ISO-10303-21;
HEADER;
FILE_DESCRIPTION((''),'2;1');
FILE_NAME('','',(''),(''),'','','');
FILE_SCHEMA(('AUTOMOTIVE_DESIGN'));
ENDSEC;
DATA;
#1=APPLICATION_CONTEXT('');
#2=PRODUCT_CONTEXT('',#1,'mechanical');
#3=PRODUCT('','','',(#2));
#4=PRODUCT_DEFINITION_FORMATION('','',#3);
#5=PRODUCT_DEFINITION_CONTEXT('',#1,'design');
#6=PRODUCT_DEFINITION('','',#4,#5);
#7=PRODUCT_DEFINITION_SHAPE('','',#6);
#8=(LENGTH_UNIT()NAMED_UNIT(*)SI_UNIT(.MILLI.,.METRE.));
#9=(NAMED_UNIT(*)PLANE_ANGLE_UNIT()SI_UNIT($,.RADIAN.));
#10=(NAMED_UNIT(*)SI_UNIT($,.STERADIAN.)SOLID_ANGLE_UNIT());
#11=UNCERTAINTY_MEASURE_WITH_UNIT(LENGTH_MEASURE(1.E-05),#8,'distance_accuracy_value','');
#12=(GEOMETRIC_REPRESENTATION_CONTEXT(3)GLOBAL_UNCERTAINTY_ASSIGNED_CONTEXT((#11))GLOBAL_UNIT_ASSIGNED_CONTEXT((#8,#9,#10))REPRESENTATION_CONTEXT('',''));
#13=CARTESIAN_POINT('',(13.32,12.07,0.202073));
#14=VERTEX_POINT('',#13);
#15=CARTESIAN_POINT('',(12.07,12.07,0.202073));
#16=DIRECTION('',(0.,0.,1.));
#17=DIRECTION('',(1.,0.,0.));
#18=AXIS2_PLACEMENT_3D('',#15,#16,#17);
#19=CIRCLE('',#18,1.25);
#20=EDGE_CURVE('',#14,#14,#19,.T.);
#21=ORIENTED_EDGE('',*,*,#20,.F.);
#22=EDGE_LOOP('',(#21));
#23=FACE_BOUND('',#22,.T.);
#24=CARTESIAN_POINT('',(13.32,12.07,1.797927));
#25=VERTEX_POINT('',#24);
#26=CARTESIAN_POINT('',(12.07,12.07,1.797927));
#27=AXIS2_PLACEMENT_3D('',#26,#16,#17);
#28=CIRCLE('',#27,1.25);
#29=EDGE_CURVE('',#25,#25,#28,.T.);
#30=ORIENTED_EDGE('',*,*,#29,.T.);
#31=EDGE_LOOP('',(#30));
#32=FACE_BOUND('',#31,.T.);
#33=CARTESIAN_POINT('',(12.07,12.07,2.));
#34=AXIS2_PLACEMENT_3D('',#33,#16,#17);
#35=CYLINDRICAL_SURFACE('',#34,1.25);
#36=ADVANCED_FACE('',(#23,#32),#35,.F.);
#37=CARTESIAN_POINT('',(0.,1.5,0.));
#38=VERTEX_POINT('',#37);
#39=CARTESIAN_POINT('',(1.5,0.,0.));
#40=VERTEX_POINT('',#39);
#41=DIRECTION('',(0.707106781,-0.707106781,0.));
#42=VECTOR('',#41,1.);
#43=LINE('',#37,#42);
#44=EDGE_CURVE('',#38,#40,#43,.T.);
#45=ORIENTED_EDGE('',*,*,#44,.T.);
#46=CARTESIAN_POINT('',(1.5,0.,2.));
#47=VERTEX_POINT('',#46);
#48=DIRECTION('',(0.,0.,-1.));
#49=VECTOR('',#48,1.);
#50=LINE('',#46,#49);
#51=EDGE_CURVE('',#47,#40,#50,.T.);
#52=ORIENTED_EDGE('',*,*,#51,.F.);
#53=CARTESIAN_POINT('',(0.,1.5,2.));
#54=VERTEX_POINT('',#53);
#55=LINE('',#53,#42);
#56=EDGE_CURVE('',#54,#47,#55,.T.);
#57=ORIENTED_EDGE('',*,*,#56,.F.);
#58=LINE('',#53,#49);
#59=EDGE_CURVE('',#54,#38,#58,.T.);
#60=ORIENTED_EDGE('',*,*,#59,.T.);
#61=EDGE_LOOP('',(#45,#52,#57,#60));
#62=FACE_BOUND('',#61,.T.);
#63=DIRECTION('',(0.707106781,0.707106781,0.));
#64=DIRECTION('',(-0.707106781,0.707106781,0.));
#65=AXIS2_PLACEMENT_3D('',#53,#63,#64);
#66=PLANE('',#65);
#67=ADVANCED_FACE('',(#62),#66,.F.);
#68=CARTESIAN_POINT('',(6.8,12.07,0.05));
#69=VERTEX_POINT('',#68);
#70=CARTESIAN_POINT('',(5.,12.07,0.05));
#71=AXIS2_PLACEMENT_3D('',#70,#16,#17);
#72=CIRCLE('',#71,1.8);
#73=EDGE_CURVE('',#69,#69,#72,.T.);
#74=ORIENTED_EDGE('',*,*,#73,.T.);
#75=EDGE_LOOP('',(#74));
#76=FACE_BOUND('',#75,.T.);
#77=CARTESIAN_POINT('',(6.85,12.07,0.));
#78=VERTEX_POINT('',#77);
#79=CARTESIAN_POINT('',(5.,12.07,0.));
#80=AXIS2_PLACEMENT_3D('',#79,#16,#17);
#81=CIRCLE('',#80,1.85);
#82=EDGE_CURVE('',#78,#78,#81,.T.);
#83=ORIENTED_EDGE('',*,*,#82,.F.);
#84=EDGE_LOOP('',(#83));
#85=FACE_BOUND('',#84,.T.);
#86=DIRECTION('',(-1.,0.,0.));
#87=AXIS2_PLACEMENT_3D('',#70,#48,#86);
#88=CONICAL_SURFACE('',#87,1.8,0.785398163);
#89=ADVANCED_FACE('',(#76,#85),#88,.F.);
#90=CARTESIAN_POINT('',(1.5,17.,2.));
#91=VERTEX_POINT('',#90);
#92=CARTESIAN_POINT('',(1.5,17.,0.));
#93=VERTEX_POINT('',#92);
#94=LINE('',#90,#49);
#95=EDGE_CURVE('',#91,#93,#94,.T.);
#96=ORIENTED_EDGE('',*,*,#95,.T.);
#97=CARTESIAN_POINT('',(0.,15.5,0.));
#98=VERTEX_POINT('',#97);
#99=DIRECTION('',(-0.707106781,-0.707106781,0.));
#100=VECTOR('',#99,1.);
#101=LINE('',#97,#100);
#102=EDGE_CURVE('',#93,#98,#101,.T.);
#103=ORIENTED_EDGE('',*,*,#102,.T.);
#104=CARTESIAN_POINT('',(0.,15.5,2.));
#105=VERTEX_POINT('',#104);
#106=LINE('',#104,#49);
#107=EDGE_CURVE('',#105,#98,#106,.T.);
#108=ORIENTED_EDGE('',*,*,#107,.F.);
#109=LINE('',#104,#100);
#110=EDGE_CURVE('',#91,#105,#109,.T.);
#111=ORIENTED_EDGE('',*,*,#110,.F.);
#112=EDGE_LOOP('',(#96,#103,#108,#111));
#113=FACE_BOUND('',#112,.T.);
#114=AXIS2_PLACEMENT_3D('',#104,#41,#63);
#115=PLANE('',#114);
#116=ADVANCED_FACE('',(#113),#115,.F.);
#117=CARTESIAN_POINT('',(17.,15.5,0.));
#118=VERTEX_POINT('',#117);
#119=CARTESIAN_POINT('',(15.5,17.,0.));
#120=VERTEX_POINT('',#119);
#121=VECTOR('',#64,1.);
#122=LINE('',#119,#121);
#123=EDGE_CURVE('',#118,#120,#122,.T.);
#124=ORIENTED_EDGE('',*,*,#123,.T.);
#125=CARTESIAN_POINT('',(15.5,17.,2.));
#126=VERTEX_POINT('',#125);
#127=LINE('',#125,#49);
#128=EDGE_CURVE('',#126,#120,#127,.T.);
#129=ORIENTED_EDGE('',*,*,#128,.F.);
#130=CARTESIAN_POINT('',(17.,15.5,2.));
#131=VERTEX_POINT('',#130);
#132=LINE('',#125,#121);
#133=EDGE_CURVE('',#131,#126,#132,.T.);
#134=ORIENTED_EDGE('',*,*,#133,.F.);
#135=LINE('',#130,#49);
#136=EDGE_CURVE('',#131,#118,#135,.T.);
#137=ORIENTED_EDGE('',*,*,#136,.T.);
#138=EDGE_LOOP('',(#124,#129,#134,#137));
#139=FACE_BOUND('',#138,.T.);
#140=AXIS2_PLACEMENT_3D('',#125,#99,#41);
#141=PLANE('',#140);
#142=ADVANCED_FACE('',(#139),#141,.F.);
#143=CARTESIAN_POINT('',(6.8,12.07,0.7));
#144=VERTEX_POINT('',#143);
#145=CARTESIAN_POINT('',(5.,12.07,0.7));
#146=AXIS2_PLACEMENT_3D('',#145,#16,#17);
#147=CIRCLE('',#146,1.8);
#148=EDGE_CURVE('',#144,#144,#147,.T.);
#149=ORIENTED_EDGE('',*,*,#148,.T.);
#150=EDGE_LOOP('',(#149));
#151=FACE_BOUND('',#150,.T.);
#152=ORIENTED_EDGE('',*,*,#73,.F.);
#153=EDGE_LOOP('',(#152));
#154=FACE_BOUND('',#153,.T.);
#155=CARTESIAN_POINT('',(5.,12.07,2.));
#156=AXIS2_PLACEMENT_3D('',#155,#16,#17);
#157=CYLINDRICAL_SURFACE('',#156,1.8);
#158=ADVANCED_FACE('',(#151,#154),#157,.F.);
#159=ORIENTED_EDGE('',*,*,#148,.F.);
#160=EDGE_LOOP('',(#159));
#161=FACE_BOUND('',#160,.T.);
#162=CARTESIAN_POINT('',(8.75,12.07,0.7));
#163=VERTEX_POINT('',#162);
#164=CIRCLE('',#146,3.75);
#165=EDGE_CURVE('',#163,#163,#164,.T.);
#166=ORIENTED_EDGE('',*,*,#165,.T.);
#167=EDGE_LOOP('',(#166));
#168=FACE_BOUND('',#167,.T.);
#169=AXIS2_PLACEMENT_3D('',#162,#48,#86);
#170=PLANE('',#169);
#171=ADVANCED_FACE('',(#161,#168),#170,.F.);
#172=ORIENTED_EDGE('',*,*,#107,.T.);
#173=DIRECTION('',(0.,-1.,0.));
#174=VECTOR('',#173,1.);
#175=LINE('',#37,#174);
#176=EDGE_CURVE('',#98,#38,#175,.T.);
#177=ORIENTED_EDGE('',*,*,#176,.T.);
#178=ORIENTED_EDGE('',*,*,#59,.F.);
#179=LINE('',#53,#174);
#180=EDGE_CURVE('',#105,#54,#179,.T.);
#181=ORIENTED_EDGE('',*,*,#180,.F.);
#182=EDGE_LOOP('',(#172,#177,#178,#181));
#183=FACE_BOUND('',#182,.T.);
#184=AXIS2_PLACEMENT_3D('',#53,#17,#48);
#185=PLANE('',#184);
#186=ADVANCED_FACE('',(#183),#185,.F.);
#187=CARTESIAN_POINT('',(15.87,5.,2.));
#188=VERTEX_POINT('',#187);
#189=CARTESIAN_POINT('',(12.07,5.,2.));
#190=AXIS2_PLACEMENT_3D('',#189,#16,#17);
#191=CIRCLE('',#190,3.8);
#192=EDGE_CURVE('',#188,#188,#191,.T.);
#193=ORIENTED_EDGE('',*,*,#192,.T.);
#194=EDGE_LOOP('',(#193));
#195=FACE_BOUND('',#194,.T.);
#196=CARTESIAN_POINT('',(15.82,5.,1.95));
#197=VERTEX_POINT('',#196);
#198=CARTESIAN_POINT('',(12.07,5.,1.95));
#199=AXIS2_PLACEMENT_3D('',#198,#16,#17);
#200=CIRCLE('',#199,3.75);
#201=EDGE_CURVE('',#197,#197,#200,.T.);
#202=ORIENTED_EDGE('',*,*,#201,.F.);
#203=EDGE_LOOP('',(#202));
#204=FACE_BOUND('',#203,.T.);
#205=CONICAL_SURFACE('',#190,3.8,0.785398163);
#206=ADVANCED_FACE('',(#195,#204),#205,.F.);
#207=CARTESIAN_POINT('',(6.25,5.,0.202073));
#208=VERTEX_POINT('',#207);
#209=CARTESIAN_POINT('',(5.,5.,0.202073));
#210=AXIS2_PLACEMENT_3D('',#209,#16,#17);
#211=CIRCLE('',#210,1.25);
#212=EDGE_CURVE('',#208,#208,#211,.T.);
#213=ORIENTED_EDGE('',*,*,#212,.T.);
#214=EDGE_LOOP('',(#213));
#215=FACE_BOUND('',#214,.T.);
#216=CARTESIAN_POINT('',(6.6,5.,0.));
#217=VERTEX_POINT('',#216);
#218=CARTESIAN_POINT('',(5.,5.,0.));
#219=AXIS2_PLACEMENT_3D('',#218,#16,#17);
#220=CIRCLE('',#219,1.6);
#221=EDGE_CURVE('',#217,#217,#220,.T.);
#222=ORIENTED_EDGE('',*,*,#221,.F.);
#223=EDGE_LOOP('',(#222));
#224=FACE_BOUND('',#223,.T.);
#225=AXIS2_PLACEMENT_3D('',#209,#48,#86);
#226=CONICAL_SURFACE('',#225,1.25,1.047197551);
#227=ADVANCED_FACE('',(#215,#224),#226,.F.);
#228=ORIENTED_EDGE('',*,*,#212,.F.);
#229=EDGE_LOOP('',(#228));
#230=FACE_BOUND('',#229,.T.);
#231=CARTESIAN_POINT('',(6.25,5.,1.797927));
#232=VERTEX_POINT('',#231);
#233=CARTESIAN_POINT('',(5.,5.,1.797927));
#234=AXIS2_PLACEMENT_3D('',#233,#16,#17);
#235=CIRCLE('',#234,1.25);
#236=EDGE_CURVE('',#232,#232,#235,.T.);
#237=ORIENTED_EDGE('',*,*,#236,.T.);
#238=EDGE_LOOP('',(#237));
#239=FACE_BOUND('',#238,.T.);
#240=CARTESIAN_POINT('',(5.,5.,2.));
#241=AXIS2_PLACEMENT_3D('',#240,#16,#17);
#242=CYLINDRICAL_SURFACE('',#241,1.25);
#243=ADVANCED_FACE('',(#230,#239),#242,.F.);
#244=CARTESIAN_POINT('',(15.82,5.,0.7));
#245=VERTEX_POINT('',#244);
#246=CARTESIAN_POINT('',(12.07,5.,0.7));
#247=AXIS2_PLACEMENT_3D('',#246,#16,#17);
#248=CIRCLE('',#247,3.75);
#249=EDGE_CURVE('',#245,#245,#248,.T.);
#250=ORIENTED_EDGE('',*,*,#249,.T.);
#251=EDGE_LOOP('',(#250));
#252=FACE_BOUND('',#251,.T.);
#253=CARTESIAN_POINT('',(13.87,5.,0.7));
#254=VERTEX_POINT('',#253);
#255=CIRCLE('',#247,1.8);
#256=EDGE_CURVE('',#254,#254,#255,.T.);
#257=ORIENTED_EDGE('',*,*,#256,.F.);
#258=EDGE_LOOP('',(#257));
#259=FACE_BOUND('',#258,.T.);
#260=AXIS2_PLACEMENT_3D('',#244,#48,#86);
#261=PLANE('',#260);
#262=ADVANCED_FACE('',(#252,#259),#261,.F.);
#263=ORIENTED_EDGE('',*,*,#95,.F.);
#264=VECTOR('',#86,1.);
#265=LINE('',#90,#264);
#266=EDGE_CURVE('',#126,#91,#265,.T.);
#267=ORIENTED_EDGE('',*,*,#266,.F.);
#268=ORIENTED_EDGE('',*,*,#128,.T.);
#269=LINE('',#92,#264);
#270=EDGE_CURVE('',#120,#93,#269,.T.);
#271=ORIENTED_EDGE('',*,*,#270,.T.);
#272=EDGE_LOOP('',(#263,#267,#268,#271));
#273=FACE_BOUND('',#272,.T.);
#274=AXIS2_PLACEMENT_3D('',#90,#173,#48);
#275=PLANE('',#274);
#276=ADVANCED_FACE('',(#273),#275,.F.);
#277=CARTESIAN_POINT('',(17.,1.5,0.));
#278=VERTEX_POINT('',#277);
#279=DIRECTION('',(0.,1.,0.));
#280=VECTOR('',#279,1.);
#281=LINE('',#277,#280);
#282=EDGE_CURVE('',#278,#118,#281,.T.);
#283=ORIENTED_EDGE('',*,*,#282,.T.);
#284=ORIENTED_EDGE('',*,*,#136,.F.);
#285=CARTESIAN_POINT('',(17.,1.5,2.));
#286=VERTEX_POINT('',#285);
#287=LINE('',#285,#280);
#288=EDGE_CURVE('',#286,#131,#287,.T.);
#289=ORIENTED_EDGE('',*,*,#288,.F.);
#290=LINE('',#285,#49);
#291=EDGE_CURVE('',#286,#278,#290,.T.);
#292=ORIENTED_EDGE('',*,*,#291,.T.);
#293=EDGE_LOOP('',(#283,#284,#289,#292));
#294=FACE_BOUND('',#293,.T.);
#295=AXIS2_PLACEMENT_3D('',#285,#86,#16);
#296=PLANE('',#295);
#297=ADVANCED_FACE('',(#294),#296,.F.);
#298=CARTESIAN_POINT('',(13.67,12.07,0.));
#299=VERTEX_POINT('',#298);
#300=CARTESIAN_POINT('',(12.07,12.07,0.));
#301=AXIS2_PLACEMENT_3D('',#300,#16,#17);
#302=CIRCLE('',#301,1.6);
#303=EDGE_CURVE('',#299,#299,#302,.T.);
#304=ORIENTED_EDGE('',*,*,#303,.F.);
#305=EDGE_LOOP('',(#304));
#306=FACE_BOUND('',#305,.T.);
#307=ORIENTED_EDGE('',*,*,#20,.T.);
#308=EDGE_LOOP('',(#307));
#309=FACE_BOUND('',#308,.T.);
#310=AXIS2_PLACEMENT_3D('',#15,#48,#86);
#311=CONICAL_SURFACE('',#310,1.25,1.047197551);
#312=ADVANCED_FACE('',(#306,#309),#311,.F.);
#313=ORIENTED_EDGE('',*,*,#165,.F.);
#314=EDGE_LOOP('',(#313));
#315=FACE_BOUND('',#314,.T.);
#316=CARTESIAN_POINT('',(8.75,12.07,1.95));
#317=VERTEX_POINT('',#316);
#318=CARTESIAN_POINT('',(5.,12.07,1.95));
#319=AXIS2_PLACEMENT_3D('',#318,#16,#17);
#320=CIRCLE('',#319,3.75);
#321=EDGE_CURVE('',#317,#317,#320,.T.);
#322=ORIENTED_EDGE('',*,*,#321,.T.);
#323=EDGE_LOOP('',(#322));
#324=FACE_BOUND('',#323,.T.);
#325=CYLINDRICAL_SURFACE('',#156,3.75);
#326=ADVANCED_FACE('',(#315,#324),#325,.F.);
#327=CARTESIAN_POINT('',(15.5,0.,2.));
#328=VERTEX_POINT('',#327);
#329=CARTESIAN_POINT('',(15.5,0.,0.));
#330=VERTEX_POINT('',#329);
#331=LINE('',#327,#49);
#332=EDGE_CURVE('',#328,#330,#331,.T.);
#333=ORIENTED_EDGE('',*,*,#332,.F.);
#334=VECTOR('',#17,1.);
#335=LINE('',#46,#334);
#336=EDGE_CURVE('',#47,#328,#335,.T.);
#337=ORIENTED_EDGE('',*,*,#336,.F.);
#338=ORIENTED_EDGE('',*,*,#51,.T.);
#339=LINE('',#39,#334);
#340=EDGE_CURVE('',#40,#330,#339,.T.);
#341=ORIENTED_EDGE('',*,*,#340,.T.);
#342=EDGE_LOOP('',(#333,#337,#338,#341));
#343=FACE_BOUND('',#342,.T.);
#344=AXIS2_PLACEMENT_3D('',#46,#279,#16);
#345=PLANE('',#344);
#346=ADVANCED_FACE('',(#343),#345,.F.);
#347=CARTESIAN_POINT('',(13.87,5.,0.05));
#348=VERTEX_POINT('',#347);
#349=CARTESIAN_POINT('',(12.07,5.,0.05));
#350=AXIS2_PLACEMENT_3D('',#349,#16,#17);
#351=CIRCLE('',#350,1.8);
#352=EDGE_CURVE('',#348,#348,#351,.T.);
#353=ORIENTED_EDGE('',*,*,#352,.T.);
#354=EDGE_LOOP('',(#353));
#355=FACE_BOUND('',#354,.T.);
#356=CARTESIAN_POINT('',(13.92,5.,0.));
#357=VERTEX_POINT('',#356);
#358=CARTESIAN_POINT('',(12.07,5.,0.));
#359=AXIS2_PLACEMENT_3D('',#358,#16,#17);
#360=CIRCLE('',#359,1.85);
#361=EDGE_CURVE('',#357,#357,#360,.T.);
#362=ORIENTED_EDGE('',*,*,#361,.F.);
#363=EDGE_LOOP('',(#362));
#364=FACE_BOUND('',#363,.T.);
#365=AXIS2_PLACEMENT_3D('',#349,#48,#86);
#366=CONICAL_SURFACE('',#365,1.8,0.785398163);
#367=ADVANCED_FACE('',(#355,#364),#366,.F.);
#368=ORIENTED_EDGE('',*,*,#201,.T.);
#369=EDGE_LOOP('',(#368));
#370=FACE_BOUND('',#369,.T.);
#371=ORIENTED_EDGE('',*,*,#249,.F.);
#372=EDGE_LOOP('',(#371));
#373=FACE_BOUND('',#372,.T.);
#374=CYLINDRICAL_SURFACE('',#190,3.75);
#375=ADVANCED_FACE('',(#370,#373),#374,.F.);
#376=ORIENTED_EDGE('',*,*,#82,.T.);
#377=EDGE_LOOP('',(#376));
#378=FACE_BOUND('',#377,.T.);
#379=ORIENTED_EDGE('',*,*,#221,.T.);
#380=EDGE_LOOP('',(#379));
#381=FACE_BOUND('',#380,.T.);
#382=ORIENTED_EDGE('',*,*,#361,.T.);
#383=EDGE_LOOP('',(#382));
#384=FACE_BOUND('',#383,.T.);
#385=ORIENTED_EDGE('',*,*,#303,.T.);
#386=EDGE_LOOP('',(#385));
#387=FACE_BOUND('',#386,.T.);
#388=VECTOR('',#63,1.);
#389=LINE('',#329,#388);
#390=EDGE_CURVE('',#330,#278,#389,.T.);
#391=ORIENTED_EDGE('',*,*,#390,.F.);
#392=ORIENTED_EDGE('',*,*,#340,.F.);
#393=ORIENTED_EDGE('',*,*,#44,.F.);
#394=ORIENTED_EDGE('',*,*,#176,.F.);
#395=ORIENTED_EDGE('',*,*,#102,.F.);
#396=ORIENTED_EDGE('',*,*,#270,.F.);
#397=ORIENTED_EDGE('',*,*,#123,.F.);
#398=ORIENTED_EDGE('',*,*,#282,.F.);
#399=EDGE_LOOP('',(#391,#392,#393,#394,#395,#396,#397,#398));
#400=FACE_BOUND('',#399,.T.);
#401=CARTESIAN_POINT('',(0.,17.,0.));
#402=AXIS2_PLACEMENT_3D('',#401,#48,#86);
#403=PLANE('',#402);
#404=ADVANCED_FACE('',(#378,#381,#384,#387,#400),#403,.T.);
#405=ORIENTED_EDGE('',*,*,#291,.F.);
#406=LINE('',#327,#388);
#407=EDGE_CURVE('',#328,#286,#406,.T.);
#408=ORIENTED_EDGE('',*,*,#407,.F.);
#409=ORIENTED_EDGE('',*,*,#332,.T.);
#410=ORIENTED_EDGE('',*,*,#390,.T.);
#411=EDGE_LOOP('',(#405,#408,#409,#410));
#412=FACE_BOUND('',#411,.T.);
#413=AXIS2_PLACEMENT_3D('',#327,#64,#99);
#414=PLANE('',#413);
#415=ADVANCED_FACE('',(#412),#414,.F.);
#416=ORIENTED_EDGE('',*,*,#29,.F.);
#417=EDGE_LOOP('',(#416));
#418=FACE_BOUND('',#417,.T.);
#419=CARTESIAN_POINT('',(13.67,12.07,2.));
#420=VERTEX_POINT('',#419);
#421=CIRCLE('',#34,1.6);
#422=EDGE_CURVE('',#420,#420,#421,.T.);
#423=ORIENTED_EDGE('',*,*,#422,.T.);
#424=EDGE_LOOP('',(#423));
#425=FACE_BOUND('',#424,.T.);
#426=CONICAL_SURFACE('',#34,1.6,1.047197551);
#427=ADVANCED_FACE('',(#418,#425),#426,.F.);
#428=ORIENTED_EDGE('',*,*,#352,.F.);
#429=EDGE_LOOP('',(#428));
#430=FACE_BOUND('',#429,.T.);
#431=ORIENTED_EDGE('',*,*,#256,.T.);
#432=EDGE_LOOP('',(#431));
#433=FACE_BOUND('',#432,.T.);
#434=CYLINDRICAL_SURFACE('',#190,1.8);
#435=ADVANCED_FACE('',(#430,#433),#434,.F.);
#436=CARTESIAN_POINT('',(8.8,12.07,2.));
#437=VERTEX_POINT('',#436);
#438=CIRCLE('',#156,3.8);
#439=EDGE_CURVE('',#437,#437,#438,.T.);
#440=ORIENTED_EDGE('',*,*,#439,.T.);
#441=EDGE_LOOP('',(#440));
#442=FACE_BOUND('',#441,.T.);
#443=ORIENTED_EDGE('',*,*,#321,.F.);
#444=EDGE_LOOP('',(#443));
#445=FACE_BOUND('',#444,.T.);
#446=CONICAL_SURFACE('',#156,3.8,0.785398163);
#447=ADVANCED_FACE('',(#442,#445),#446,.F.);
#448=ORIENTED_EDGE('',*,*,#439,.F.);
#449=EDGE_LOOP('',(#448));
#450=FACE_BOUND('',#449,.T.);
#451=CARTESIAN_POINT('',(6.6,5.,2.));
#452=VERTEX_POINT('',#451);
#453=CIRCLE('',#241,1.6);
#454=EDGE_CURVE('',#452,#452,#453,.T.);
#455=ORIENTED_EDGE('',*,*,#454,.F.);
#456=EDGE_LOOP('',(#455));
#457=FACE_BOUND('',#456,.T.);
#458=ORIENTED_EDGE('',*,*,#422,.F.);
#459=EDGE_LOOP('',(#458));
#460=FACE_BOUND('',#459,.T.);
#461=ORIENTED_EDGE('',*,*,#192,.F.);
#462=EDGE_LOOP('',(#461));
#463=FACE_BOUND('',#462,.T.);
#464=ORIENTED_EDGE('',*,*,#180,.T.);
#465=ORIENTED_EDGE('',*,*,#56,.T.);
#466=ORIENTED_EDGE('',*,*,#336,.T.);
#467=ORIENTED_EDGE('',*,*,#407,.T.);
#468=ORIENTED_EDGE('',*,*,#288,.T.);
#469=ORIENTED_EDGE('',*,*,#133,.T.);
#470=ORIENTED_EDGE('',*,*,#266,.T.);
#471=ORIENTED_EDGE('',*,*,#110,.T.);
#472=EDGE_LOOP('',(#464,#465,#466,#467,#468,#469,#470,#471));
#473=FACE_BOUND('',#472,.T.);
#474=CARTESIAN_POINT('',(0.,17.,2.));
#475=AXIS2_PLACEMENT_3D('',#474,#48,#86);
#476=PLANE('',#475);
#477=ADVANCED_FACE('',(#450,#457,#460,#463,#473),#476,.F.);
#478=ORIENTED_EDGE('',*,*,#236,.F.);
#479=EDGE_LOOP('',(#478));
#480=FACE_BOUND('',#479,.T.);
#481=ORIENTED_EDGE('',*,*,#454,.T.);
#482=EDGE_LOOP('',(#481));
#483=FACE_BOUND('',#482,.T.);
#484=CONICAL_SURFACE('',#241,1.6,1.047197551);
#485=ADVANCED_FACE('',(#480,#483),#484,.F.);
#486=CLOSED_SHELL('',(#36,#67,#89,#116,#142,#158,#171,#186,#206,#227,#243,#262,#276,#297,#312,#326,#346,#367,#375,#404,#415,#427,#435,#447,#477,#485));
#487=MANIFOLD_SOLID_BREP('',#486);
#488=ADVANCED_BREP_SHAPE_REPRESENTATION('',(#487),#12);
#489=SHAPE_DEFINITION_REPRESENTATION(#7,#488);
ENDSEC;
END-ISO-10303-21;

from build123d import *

# Parameters (mm, degrees)
SKETCH_1_R                 = 1
EXTRUDE_1_DEPTH            = 2
M3X0_51_AT_2_COUNT         = 2
M3X0_51_AT_2_PITCH         = 9.998489886
HOLE_WIZARD_M31_AT_2_COUNT = 2
HOLE_WIZARD_M31_AT_2_PITCH = 9.998489886


with BuildPart() as part:
    # Эскиз1 → Бобышка-Вытянуть1 (new body)
    with BuildSketch(Plane.XY):
        Polygon((0, 15.5), (1.5, 17), (15.5, 17), (17, 15.5), (17, 1.5), (15.5, 0), (1.5, 0), (0, 1.5), align=None)
        with Locations((5, 5)):
            Circle(SKETCH_1_R, mode=Mode.SUBTRACT)
        with Locations((12.07, 5)):
            Circle(SKETCH_1_R, mode=Mode.SUBTRACT)
        with Locations((12.07, 12.07)):
            Circle(SKETCH_1_R, mode=Mode.SUBTRACT)
        with Locations((5, 12.07)):
            Circle(SKETCH_1_R, mode=Mode.SUBTRACT)
    extrude(amount=EXTRUDE_1_DEPTH)

    # Эскиз2 → Отверстие обработанное метчиком M3x0.51 (revolve, cut)
    with BuildSketch(Plane(origin=(12.07, 12.07, 2), x_dir=(0, -1, 0), z_dir=(1, 0, 0))):
        Polygon((0, 0), (0, 2), (1.6, 2), (1.25, 1.797927406), (1.25, 0.202072594), (1.6, 0), align=None)
    m3x0_51 = revolve(axis=Axis((12.07, 12.07, 8.35), (0, 0, -1)), mode=Mode.SUBTRACT)

    # Отверстие обработанное метчиком M3x0.51 at 2: Отверстие обработанное метчиком M3x0.51 ×2
    with Locations(*[Vector(-0.707106781, -0.707106781, 0) * (i * M3X0_51_AT_2_PITCH) for i in range(1, M3X0_51_AT_2_COUNT)]):
        add(m3x0_51, mode=Mode.SUBTRACT)

    # Эскиз4 → Цековка для винта с заклепочной головкой M31 (revolve, cut)
    with BuildSketch(Plane(origin=(5, 12.07, 2), x_dir=(0, -1, 0), z_dir=(1, 0, 0))):
        Polygon((0, 0), (0, 2), (1.85, 2), (1.8, 1.95), (1.8, 1.3), (3.75, 1.3), (3.75, 0.05), (3.8, 0), align=None)
    hole_wizard_m31 = revolve(axis=Axis((5, 12.07, 8.35), (0, 0, -1)), mode=Mode.SUBTRACT)

    # Цековка для винта с заклепочной головкой M31 at 2: Цековка для винта с заклепочной головкой M31 ×2
    with Locations(*[Vector(0.707106781, -0.707106781, 0) * (i * HOLE_WIZARD_M31_AT_2_PITCH) for i in range(1, HOLE_WIZARD_M31_AT_2_COUNT)]):
        add(hole_wizard_m31, mode=Mode.SUBTRACT)


solid = part.part
